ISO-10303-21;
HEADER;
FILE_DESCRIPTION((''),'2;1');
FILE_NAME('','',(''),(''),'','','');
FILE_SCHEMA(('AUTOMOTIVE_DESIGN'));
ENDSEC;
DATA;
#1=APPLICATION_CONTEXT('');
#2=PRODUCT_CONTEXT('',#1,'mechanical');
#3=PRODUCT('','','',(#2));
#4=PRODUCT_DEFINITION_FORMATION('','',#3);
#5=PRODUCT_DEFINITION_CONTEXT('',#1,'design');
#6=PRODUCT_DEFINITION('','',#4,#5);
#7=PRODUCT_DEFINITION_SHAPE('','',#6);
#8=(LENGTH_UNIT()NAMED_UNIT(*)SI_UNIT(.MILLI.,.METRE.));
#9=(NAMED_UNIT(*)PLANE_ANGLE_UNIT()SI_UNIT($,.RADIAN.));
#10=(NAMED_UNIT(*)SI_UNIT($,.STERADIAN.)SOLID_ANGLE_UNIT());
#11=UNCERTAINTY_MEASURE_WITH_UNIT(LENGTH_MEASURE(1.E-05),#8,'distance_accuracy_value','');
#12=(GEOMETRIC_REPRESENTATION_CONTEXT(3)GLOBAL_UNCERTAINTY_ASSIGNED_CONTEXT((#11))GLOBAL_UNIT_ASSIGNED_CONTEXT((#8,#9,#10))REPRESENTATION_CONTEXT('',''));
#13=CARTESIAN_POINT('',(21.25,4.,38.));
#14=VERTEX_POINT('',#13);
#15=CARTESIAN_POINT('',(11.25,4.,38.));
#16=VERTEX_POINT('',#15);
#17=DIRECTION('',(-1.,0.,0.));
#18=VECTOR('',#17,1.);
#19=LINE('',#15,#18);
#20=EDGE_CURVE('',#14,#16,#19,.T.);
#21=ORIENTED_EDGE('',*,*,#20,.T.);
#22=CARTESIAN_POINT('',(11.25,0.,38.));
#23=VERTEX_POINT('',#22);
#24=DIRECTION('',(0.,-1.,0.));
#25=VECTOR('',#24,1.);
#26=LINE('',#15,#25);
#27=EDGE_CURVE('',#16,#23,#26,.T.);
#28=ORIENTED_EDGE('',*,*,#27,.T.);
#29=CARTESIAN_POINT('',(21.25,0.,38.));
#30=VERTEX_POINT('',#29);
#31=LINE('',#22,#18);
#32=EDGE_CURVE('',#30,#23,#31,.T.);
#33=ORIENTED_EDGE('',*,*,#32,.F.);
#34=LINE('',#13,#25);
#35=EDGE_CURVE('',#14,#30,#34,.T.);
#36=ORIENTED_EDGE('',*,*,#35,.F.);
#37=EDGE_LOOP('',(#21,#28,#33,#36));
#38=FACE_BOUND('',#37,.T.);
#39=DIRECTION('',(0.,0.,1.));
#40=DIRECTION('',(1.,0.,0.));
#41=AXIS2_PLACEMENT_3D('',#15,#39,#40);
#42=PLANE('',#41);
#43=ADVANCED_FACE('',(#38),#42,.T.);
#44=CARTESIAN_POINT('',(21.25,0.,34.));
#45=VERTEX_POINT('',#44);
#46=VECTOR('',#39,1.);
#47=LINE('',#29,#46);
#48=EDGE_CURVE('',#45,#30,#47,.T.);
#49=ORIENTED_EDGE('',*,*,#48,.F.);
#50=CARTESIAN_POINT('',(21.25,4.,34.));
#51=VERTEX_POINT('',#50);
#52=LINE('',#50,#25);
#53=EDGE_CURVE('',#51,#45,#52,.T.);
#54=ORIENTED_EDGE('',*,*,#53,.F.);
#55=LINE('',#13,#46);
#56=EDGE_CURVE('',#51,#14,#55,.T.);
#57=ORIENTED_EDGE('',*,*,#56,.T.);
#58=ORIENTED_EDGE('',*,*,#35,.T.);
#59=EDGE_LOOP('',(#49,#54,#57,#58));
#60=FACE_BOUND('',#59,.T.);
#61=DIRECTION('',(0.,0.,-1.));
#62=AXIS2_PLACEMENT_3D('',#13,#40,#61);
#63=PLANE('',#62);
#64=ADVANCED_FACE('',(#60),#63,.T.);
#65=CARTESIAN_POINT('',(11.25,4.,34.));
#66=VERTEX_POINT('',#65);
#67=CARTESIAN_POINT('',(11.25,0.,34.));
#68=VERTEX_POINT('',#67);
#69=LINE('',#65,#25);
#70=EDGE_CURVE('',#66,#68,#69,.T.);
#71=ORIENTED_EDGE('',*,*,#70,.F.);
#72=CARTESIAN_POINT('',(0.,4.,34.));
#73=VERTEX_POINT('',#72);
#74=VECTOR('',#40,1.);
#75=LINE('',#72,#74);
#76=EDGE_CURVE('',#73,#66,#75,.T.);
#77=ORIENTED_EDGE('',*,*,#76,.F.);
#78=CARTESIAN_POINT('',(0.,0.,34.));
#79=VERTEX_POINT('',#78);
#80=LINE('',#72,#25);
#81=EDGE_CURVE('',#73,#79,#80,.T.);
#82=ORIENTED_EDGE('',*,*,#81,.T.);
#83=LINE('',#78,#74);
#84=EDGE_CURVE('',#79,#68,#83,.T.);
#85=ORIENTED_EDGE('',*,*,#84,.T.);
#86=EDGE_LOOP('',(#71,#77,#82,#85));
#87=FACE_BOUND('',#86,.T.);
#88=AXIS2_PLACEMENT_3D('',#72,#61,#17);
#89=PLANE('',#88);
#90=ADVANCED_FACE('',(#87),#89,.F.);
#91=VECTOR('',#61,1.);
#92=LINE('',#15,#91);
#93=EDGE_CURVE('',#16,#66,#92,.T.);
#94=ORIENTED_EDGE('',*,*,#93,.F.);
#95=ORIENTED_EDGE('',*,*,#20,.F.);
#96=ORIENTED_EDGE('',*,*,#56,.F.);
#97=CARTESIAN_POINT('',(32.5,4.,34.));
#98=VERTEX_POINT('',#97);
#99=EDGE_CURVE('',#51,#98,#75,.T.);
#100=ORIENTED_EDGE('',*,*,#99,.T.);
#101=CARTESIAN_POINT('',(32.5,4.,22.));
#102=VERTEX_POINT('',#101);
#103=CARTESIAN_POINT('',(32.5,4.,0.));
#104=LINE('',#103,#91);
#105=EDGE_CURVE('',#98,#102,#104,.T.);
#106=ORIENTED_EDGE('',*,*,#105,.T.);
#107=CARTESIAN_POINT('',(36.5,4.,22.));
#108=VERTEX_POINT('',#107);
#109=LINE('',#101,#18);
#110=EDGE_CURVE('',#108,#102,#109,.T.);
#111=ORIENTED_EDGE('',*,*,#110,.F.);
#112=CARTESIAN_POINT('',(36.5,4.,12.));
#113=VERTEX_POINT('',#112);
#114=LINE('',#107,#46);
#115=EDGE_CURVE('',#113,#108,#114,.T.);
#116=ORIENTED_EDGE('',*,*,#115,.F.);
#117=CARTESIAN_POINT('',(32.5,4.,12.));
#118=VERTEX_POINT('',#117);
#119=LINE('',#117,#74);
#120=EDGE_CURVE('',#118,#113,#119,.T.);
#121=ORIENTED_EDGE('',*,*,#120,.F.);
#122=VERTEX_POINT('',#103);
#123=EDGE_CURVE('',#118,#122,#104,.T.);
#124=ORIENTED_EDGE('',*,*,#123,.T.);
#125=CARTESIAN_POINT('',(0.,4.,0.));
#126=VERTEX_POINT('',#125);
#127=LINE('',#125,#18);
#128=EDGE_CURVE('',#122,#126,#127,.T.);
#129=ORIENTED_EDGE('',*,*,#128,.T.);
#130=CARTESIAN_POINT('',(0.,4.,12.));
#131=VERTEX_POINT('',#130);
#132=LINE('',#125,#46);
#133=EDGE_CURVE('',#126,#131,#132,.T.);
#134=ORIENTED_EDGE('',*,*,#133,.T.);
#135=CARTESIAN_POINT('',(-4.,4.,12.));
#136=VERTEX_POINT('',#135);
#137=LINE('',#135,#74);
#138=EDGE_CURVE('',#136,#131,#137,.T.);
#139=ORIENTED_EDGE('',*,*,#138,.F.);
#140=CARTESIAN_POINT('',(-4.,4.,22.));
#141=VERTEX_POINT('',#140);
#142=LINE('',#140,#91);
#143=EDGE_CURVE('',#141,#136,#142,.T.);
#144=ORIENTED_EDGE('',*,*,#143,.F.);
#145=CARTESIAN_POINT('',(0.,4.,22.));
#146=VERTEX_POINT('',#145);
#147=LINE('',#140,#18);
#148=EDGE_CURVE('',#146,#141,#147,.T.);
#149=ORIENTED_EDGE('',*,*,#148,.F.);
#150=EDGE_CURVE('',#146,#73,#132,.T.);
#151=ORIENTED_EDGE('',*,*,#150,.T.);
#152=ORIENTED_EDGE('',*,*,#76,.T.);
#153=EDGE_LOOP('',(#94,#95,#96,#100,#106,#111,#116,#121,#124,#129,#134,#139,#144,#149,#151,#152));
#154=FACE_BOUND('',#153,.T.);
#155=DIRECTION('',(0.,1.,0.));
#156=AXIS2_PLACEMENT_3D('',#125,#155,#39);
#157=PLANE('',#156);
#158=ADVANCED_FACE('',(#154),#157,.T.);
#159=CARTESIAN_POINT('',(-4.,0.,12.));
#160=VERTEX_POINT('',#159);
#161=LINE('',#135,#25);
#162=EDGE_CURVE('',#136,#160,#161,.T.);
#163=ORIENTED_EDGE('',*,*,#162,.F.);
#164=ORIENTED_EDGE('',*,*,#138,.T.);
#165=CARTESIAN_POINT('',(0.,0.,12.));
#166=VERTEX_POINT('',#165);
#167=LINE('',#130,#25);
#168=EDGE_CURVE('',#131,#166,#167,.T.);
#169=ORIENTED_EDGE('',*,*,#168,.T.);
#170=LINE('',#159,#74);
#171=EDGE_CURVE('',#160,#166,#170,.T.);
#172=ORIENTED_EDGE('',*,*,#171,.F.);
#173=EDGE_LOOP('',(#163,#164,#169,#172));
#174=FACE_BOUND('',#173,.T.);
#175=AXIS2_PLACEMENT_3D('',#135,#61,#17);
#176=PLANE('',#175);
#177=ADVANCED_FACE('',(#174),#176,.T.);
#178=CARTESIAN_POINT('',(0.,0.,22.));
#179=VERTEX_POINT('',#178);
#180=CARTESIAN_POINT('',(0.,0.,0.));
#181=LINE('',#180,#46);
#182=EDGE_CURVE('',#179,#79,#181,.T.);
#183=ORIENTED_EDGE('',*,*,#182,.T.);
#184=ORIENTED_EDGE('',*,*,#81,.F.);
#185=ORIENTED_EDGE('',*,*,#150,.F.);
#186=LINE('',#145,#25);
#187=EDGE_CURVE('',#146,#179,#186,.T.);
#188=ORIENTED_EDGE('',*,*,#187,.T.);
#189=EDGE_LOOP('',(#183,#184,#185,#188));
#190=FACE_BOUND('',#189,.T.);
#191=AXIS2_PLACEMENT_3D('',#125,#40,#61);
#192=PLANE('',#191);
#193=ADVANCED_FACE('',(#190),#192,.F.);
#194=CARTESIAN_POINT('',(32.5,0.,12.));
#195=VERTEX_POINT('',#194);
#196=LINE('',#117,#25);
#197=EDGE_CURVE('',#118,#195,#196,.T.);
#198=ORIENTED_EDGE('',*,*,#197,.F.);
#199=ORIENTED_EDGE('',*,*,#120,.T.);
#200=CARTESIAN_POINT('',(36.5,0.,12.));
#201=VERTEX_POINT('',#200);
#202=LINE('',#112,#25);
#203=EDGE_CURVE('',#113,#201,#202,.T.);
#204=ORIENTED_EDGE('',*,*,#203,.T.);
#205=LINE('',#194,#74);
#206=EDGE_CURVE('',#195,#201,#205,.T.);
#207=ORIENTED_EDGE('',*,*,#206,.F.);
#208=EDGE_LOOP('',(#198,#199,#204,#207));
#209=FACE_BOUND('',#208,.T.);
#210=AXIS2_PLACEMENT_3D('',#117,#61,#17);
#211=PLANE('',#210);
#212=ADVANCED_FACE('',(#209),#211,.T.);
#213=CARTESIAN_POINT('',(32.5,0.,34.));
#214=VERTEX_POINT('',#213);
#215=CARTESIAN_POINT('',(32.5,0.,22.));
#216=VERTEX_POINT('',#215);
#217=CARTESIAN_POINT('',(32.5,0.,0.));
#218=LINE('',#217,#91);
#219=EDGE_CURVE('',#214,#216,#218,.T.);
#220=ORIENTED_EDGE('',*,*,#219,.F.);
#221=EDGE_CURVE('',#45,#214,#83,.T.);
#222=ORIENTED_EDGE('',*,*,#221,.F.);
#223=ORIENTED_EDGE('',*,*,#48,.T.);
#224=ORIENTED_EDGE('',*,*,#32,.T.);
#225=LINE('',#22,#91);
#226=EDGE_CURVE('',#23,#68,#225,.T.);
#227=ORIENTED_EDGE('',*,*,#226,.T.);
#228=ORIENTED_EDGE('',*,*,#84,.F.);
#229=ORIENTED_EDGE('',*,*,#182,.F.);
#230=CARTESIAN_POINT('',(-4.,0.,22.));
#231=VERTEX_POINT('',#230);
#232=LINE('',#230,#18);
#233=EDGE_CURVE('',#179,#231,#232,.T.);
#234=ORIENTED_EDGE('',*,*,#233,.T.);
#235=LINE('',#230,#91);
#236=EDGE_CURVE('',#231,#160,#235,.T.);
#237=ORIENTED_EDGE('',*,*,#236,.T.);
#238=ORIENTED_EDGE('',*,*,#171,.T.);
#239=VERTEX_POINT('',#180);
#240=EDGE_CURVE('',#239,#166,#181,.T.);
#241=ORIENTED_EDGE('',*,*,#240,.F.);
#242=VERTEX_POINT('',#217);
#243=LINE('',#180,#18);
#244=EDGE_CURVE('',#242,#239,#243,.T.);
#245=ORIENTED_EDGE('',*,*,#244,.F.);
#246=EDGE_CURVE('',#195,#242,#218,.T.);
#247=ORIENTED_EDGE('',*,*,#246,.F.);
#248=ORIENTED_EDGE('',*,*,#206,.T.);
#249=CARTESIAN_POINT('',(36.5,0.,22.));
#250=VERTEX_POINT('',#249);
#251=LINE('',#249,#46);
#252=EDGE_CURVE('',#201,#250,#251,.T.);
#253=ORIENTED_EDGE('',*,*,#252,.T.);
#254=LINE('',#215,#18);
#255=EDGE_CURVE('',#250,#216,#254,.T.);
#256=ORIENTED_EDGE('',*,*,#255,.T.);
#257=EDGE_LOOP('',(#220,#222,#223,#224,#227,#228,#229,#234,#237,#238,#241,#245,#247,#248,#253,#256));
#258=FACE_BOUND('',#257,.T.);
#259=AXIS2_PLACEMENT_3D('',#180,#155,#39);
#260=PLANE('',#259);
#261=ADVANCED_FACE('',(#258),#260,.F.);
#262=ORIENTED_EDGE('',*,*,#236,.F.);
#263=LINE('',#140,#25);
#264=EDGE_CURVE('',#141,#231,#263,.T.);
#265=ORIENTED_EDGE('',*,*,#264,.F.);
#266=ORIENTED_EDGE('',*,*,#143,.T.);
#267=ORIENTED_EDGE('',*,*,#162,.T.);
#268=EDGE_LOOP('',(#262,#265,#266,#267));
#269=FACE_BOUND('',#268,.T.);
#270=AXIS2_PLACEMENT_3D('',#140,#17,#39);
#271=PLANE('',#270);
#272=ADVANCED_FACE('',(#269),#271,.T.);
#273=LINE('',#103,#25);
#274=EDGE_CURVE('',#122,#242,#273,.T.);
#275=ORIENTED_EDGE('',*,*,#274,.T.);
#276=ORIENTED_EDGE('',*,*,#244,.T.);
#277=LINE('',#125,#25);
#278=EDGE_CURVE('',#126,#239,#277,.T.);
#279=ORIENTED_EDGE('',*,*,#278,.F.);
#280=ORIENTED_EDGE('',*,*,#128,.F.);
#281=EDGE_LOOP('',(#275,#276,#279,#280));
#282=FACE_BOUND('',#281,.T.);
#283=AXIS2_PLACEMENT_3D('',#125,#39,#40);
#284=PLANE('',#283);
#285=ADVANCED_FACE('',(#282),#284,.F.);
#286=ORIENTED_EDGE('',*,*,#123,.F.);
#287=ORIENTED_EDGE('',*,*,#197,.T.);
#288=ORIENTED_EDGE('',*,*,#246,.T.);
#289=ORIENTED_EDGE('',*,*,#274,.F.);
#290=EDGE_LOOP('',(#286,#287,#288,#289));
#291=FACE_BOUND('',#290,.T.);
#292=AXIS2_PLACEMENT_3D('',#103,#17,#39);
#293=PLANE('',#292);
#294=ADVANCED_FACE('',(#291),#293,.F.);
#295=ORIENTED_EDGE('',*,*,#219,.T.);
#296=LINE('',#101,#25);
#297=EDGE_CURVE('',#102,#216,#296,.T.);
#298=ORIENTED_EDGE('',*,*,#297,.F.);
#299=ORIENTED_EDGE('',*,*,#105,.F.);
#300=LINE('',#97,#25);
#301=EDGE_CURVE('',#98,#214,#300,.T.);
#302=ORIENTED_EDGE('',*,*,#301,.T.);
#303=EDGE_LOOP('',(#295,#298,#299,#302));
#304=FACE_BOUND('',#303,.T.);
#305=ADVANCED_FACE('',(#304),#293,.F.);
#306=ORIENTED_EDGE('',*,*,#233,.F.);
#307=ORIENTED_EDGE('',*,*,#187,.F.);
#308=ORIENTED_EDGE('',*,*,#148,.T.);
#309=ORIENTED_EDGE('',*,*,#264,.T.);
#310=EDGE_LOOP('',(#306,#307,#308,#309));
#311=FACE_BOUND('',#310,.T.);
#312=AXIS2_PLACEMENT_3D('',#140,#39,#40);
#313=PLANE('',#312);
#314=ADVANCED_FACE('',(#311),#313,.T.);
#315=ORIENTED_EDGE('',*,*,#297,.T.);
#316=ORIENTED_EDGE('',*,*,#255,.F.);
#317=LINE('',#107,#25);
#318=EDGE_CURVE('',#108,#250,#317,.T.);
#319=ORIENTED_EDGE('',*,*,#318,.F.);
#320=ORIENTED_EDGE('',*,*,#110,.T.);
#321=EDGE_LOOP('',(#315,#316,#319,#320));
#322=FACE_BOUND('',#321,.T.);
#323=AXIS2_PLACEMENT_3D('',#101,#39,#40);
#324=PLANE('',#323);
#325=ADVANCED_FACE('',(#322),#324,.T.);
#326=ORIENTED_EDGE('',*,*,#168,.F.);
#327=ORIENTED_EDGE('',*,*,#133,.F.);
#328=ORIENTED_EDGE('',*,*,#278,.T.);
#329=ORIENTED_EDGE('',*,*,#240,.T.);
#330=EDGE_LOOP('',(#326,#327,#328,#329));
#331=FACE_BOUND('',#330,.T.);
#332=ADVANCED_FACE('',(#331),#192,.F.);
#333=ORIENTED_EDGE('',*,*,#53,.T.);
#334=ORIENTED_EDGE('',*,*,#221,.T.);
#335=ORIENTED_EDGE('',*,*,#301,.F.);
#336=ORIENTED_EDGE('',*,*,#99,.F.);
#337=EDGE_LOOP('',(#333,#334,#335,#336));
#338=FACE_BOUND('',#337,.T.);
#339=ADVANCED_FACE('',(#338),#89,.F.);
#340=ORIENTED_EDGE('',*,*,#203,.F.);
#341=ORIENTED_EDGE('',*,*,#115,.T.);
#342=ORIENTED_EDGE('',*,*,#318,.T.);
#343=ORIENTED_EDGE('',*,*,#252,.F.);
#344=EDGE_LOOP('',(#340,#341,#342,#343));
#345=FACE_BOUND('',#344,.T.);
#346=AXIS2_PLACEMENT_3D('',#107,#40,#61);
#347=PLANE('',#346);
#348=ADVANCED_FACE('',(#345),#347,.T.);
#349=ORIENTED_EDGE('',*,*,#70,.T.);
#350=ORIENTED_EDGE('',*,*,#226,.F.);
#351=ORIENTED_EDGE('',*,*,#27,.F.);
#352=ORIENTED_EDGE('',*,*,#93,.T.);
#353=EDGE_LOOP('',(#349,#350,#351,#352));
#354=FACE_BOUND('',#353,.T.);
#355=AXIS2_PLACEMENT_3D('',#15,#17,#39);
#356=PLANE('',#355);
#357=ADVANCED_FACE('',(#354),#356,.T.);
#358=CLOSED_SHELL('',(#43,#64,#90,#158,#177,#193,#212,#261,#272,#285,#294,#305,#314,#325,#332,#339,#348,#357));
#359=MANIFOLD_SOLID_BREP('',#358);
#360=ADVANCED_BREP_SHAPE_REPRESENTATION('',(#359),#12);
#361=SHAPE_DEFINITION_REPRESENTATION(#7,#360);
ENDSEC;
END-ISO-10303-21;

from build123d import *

# Parameters (mm, degrees)
SKETCH1_W           = 32.5
SKETCH1_H           = 34
BOSS_EXTRUDE1_DEPTH = 4
SKETCH2_W           = 10
SKETCH2_H           = 4
SKETCH2_W_2         = 4
SKETCH2_H_2         = 10
BOSS_EXTRUDE2_DEPTH = 4


with BuildPart() as part:
    # Sketch1 → Boss-Extrude1 (new body)
    with BuildSketch(Plane(origin=(0, 0, 0), x_dir=(1, 0, 0), z_dir=(0, 1, 0))):
        with Locations((16.25, -17)):
            Rectangle(SKETCH1_W, SKETCH1_H)
    extrude(amount=BOSS_EXTRUDE1_DEPTH)

    # Sketch2 → Boss-Extrude2 (add, through all)
    with BuildSketch(Plane.XZ):
        with Locations((16.25, 36)):
            Rectangle(SKETCH2_W, SKETCH2_H)
        with Locations((34.5, 17)):
            Rectangle(SKETCH2_W_2, SKETCH2_H_2)
        with Locations((-2, 17)):
            Rectangle(SKETCH2_W_2, SKETCH2_H_2)
    extrude(amount=-BOSS_EXTRUDE2_DEPTH)


solid = part.part
